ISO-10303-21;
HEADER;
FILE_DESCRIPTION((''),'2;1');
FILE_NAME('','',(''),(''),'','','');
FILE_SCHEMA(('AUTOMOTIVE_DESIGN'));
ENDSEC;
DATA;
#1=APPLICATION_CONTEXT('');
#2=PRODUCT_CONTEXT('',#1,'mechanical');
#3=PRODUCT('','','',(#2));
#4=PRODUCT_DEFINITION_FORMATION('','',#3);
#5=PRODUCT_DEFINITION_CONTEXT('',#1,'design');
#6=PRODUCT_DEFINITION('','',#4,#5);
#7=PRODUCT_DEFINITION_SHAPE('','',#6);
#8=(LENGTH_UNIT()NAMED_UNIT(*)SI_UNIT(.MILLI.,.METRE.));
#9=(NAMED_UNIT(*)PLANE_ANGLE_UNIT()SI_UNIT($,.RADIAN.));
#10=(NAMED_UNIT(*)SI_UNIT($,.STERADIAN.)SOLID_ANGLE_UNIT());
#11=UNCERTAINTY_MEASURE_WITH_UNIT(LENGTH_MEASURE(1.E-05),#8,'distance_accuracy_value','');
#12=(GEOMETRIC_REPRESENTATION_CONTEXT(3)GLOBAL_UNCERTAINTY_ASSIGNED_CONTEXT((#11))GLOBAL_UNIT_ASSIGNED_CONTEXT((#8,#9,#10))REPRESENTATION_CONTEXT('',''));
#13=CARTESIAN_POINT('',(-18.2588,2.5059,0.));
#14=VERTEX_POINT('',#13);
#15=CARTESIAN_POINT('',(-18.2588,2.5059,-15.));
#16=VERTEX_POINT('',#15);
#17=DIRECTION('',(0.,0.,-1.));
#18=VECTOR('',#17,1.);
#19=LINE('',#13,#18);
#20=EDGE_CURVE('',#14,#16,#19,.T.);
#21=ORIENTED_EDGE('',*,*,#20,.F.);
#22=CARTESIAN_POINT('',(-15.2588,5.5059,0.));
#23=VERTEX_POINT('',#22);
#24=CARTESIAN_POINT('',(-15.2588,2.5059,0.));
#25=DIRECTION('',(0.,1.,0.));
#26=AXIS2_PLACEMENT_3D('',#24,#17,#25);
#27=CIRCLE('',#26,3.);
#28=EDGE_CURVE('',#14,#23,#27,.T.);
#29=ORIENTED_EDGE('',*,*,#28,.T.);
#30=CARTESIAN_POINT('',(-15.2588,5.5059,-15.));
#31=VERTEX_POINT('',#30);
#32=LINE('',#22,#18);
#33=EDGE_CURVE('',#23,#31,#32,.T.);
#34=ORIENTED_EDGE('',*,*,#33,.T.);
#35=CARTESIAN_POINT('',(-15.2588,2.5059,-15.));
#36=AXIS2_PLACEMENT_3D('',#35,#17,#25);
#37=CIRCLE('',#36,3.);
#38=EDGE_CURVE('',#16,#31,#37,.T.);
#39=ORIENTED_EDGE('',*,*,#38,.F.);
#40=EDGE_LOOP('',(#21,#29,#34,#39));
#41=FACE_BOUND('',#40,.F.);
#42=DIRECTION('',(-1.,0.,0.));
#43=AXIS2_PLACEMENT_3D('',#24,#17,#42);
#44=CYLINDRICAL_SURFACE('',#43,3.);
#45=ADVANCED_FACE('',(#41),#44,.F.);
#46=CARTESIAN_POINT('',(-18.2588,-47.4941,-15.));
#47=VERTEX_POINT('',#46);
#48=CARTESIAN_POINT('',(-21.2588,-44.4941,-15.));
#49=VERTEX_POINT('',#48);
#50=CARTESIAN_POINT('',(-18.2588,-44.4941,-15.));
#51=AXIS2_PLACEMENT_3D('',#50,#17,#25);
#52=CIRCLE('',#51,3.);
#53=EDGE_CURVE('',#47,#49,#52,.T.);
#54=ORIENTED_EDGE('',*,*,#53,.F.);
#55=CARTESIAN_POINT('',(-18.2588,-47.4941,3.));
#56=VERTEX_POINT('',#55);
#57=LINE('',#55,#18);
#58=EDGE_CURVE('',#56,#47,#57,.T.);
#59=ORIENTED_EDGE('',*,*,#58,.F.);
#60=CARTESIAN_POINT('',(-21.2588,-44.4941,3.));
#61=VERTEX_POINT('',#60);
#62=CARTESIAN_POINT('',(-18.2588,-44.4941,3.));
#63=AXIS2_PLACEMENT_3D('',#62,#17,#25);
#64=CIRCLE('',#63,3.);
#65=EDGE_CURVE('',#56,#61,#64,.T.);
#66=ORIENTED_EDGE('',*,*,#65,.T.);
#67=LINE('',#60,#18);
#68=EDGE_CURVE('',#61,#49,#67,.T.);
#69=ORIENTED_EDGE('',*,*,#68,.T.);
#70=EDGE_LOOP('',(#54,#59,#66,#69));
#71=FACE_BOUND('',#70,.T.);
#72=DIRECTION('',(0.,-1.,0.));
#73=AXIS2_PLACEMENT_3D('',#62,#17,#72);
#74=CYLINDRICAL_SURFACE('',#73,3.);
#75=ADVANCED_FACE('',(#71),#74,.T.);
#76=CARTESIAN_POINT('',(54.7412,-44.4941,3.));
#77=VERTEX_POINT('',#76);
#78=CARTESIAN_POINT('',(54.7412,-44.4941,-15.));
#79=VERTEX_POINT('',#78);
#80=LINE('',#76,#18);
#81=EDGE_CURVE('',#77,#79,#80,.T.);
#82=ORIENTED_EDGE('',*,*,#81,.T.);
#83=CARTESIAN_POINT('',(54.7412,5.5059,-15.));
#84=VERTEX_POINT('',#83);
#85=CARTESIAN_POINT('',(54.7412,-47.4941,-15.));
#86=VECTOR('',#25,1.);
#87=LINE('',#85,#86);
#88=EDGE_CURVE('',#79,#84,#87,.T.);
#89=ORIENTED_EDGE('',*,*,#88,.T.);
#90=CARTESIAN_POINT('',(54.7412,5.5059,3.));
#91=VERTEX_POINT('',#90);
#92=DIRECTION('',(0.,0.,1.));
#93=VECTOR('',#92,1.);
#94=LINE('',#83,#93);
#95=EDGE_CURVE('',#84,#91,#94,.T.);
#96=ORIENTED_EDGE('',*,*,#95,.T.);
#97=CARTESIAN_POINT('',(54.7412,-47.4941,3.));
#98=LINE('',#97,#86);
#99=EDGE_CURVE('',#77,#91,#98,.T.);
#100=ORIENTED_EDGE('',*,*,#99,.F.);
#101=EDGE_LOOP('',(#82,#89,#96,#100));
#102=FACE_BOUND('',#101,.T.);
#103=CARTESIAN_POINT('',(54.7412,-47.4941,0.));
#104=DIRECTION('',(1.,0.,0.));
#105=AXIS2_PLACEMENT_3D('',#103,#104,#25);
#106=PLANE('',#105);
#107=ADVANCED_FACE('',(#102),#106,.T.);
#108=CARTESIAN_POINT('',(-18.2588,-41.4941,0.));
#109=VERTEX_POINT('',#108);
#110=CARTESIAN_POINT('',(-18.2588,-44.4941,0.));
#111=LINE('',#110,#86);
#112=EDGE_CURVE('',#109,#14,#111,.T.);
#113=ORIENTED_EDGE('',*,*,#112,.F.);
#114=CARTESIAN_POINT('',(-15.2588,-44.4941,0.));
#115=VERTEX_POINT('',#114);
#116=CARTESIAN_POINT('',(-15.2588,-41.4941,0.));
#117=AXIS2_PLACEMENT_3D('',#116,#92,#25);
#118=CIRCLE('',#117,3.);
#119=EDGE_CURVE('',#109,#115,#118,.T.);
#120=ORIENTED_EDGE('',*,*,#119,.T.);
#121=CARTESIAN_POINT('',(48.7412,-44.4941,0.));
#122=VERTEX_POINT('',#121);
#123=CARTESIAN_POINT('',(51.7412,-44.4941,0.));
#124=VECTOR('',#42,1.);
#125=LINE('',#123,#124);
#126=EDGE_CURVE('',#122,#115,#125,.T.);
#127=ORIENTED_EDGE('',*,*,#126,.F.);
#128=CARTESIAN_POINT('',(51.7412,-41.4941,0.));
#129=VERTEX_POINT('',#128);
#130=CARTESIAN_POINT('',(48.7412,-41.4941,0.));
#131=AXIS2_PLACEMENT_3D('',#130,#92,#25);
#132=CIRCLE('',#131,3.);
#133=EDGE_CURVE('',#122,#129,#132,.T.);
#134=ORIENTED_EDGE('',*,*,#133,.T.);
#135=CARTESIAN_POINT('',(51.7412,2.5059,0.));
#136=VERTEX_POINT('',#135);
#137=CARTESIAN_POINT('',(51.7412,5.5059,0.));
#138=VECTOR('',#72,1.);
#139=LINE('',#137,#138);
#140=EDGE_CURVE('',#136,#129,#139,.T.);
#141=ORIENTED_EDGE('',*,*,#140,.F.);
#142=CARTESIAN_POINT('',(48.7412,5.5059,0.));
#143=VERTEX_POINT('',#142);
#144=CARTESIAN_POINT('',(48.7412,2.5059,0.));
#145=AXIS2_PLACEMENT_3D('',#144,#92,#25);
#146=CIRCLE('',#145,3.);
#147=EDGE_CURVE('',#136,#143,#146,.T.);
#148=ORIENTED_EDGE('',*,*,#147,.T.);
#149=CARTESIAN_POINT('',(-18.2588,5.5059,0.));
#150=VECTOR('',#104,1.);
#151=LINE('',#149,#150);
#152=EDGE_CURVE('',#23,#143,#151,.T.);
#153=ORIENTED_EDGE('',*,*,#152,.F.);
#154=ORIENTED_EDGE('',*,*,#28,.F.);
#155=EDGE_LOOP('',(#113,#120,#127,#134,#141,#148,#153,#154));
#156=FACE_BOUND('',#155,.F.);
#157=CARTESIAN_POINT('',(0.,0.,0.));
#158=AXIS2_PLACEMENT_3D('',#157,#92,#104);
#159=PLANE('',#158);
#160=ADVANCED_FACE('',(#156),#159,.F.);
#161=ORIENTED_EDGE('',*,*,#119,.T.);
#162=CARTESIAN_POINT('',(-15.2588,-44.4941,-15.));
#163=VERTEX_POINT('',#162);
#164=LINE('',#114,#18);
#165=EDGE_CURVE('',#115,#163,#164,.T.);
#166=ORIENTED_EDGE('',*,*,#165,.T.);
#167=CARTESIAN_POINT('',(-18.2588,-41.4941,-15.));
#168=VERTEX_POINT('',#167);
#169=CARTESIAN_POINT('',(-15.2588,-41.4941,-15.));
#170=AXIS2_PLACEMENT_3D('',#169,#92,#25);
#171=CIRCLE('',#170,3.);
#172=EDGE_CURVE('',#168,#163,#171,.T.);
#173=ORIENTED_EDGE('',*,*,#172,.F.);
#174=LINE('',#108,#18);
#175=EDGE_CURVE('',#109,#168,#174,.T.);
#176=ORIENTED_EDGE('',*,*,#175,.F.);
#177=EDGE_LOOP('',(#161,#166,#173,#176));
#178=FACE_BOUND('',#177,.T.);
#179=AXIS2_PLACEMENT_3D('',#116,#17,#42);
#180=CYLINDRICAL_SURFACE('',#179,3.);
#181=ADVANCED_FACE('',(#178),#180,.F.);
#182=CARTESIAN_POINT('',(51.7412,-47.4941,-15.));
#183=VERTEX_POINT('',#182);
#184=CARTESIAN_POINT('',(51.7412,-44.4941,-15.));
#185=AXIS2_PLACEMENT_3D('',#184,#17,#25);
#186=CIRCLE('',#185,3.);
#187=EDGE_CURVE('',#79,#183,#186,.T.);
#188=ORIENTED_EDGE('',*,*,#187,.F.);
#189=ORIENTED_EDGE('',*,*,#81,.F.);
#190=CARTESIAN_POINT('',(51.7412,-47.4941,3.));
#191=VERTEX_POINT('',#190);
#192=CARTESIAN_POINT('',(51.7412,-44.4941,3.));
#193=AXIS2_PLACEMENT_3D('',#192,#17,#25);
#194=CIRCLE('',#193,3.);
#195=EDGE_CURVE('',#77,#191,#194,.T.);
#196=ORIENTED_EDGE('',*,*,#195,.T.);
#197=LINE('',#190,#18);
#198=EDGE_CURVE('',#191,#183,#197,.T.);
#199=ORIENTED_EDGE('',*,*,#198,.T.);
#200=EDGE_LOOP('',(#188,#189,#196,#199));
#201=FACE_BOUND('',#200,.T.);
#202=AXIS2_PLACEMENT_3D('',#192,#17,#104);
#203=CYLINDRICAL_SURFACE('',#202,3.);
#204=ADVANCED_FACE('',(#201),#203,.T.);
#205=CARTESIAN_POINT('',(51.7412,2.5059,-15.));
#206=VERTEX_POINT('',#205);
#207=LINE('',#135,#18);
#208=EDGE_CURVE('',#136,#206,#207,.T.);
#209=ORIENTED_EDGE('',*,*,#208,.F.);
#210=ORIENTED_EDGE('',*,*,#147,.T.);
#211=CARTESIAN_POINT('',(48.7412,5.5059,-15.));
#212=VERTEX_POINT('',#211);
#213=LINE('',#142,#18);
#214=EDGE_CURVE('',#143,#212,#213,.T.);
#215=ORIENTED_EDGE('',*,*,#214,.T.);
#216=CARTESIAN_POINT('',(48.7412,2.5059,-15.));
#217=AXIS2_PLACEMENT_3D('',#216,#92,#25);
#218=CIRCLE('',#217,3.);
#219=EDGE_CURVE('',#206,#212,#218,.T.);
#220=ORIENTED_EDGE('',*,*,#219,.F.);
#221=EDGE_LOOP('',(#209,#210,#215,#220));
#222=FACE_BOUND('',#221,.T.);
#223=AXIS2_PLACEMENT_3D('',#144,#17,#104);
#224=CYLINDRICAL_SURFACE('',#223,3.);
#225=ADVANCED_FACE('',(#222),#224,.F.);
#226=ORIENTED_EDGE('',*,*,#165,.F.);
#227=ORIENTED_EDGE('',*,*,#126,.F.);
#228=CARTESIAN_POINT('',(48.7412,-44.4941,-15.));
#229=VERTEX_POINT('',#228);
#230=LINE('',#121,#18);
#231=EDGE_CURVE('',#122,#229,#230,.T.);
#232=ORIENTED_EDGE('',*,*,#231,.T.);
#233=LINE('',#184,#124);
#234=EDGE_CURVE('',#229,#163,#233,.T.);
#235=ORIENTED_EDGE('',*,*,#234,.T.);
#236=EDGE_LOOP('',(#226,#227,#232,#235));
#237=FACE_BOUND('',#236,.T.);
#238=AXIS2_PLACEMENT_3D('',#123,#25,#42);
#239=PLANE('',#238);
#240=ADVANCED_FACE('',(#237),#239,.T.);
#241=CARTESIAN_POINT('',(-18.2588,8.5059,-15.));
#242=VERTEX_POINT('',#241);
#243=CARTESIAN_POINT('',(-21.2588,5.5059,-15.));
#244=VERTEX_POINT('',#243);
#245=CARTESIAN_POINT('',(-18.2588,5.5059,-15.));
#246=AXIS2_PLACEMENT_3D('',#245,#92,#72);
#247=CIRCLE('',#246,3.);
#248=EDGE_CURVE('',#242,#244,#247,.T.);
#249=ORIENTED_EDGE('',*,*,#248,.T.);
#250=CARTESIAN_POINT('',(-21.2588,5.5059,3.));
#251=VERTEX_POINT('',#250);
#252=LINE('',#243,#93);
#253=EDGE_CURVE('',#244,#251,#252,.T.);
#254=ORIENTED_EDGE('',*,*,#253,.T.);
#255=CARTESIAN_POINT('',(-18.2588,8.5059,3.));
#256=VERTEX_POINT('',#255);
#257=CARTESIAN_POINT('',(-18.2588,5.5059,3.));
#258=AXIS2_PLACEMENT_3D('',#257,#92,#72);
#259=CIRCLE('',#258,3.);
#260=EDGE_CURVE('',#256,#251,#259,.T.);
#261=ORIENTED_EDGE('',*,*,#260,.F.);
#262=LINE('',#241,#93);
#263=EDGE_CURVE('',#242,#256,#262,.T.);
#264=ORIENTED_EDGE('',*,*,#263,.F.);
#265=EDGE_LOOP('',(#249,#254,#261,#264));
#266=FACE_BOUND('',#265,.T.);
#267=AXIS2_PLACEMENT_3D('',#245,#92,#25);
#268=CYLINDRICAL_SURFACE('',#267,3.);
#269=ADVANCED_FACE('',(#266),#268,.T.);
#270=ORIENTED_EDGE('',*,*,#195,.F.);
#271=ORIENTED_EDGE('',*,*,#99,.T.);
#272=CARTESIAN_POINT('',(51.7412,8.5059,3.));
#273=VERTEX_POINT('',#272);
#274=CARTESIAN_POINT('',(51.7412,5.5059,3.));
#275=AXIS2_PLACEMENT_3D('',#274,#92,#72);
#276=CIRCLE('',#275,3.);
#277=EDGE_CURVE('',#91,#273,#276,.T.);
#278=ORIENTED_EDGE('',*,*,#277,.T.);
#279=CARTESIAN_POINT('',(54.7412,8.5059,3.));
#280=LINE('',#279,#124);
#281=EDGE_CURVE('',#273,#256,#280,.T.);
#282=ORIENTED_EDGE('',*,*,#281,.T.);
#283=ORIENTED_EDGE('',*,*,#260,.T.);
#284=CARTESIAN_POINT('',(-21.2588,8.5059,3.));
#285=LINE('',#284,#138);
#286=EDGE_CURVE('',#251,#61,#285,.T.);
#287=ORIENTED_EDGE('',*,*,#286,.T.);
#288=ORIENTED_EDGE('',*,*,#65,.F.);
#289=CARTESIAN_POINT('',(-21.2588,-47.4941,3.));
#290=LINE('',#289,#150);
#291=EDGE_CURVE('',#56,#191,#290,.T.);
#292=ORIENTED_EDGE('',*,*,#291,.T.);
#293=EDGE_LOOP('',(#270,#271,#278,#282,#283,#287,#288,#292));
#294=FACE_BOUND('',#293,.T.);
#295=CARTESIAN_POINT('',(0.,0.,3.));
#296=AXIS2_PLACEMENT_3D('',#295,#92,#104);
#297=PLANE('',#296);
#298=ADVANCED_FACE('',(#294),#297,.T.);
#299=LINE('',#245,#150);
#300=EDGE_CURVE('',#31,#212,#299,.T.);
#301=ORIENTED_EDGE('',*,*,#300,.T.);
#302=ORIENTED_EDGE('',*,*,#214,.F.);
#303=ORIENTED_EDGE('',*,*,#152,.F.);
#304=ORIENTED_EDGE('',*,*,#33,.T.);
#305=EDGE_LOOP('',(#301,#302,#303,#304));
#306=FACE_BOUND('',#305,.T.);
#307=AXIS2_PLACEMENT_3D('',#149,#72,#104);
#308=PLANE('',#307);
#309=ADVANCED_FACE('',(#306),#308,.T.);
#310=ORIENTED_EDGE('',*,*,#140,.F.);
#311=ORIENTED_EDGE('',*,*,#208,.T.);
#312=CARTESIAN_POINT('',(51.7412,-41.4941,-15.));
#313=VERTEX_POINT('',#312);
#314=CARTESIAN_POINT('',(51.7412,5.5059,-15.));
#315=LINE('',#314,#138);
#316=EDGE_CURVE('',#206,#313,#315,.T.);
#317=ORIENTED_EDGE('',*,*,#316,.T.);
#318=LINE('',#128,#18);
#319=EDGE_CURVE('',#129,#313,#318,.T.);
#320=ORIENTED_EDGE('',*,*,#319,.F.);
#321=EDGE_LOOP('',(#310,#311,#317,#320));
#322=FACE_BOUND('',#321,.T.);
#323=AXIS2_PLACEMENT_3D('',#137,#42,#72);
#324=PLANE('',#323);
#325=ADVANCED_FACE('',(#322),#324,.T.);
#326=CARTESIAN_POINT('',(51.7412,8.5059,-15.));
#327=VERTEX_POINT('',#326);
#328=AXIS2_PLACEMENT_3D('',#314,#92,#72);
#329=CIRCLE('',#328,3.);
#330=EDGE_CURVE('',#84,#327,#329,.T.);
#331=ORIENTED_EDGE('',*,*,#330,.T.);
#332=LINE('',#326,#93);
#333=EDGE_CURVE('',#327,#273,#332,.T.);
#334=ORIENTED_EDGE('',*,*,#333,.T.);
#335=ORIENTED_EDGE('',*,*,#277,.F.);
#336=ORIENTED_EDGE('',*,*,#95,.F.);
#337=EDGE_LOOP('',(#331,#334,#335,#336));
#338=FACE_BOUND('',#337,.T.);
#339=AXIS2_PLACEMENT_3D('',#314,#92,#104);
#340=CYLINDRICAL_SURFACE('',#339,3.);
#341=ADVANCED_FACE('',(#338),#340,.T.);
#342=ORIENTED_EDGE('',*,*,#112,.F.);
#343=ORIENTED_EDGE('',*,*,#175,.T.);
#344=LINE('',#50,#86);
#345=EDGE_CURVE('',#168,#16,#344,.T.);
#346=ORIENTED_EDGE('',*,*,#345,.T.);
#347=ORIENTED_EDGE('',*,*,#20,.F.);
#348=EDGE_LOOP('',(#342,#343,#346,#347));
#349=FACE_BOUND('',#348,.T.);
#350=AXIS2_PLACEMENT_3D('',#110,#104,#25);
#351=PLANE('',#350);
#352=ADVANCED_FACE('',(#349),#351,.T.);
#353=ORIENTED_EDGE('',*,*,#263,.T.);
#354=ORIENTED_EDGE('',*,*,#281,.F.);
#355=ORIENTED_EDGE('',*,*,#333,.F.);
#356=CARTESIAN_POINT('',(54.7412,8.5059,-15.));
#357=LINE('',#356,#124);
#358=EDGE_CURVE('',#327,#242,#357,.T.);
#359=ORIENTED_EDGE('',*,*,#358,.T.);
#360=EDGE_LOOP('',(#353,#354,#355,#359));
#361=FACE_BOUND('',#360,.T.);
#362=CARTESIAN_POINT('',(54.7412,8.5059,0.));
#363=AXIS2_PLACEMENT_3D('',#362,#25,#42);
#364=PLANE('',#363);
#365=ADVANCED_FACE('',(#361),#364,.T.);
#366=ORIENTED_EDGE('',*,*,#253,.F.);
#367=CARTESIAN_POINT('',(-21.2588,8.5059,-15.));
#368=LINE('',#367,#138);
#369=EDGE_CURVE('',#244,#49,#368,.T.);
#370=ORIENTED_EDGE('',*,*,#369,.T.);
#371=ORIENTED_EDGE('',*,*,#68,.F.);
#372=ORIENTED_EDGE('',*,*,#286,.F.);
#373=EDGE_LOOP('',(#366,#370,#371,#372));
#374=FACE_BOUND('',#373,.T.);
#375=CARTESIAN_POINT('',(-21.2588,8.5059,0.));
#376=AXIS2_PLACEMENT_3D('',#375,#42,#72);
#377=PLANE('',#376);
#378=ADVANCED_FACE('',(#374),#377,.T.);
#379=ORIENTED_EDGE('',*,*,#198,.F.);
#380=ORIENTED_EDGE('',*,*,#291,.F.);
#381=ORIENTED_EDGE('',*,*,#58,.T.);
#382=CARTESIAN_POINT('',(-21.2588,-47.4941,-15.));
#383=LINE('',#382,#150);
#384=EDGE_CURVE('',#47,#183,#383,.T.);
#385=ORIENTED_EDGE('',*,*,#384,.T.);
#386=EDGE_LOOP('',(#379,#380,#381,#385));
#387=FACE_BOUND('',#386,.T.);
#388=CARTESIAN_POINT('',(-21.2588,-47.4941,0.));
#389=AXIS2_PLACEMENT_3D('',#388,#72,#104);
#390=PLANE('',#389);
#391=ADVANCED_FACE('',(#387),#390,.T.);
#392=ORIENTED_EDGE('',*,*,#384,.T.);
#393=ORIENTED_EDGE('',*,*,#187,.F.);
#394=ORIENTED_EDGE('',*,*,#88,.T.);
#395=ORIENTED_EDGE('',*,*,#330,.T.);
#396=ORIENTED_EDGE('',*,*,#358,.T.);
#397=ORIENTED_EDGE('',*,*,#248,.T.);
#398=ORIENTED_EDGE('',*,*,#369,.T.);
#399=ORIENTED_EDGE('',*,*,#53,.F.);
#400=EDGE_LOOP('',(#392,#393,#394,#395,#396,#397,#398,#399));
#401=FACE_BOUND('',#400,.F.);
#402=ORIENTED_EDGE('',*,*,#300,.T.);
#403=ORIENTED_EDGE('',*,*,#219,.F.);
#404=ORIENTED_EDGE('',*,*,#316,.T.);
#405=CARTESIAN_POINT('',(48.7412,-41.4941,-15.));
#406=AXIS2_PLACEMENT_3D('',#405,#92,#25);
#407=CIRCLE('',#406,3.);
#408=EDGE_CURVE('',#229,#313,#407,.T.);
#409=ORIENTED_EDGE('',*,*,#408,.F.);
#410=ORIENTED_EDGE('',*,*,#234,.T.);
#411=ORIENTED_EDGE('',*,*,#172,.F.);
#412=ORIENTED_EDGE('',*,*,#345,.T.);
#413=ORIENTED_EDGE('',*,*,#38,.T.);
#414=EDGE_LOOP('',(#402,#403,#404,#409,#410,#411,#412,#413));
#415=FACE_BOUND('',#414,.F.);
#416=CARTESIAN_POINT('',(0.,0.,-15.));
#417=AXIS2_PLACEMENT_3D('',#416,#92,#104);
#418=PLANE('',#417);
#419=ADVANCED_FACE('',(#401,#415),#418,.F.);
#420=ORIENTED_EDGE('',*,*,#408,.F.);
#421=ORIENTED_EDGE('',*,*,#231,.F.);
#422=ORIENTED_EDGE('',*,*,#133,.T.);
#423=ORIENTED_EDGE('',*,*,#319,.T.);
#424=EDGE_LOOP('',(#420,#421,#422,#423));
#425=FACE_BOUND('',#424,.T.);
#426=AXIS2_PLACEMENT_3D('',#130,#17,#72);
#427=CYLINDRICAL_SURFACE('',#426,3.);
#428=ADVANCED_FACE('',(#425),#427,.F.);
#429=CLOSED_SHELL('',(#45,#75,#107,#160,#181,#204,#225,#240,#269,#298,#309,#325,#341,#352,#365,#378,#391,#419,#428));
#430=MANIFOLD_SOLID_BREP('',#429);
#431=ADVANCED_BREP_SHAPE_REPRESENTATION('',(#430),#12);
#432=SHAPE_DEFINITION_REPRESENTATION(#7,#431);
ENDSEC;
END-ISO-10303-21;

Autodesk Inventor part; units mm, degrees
ref_plane "YZ Plane" through (0, 0, 0) normal (1, 0, 0) x (0, 1, 0)
ref_plane "XZ Plane" through (0, 0, 0) normal (0, 1, 0) x (-1, 0, 0)
ref_plane "XY Plane" through (0, 0, 0) normal (0, 0, 1) x (1, 0, 0)
sketch "Sketch1" plane through (0, 0, 0) normal (0, 0, 1) x (1, 0, 0)
  line L0 (-18.2588, 5.5059) -> (51.7412, 5.5059)
  line L1 (51.7412, 5.5059) -> (51.7412, -44.4941)
  line L2 (51.7412, -44.4941) -> (-18.2588, -44.4941)
  line L3 (-18.2588, -44.4941) -> (-18.2588, 5.5059)
  line L4 (54.7412, 8.5059) -> (-21.2588, 8.5059)
  line L5 (-21.2588, 8.5059) -> (-21.2588, -47.4941)
  line L6 (-21.2588, -47.4941) -> (54.7412, -47.4941)
  line L7 (54.7412, -47.4941) -> (54.7412, 8.5059)
  point P0 (0, 0)
  dimension "d0" = 70
  dimension "d1" = 50
  dimension "d2" = 3
extrude "Extrusion1" add sketch "Sketch1" along normal blind 3 contours L0 L1 L2 L3 | L7 L6 L5 L4
extrude "Extrusion2" add sketch "Sketch1" against normal blind 15
fillet "Fillet1" radius 3 8 edges at (51.7412, -44.4941, -7.5) (54.7412, -47.4941, -6) (54.7412, 8.5059, -6) (51.7412, 5.5059, -7.5) (-21.2588, 8.5059, -6) (-18.2588, 5.5059, -7.5) (-18.2588, -44.4941, -7.5) (-21.2588, -47.4941, -6)
properties part number "3DP_PLA_Tray_for_unknown_parts" material "ABS Plastic"
